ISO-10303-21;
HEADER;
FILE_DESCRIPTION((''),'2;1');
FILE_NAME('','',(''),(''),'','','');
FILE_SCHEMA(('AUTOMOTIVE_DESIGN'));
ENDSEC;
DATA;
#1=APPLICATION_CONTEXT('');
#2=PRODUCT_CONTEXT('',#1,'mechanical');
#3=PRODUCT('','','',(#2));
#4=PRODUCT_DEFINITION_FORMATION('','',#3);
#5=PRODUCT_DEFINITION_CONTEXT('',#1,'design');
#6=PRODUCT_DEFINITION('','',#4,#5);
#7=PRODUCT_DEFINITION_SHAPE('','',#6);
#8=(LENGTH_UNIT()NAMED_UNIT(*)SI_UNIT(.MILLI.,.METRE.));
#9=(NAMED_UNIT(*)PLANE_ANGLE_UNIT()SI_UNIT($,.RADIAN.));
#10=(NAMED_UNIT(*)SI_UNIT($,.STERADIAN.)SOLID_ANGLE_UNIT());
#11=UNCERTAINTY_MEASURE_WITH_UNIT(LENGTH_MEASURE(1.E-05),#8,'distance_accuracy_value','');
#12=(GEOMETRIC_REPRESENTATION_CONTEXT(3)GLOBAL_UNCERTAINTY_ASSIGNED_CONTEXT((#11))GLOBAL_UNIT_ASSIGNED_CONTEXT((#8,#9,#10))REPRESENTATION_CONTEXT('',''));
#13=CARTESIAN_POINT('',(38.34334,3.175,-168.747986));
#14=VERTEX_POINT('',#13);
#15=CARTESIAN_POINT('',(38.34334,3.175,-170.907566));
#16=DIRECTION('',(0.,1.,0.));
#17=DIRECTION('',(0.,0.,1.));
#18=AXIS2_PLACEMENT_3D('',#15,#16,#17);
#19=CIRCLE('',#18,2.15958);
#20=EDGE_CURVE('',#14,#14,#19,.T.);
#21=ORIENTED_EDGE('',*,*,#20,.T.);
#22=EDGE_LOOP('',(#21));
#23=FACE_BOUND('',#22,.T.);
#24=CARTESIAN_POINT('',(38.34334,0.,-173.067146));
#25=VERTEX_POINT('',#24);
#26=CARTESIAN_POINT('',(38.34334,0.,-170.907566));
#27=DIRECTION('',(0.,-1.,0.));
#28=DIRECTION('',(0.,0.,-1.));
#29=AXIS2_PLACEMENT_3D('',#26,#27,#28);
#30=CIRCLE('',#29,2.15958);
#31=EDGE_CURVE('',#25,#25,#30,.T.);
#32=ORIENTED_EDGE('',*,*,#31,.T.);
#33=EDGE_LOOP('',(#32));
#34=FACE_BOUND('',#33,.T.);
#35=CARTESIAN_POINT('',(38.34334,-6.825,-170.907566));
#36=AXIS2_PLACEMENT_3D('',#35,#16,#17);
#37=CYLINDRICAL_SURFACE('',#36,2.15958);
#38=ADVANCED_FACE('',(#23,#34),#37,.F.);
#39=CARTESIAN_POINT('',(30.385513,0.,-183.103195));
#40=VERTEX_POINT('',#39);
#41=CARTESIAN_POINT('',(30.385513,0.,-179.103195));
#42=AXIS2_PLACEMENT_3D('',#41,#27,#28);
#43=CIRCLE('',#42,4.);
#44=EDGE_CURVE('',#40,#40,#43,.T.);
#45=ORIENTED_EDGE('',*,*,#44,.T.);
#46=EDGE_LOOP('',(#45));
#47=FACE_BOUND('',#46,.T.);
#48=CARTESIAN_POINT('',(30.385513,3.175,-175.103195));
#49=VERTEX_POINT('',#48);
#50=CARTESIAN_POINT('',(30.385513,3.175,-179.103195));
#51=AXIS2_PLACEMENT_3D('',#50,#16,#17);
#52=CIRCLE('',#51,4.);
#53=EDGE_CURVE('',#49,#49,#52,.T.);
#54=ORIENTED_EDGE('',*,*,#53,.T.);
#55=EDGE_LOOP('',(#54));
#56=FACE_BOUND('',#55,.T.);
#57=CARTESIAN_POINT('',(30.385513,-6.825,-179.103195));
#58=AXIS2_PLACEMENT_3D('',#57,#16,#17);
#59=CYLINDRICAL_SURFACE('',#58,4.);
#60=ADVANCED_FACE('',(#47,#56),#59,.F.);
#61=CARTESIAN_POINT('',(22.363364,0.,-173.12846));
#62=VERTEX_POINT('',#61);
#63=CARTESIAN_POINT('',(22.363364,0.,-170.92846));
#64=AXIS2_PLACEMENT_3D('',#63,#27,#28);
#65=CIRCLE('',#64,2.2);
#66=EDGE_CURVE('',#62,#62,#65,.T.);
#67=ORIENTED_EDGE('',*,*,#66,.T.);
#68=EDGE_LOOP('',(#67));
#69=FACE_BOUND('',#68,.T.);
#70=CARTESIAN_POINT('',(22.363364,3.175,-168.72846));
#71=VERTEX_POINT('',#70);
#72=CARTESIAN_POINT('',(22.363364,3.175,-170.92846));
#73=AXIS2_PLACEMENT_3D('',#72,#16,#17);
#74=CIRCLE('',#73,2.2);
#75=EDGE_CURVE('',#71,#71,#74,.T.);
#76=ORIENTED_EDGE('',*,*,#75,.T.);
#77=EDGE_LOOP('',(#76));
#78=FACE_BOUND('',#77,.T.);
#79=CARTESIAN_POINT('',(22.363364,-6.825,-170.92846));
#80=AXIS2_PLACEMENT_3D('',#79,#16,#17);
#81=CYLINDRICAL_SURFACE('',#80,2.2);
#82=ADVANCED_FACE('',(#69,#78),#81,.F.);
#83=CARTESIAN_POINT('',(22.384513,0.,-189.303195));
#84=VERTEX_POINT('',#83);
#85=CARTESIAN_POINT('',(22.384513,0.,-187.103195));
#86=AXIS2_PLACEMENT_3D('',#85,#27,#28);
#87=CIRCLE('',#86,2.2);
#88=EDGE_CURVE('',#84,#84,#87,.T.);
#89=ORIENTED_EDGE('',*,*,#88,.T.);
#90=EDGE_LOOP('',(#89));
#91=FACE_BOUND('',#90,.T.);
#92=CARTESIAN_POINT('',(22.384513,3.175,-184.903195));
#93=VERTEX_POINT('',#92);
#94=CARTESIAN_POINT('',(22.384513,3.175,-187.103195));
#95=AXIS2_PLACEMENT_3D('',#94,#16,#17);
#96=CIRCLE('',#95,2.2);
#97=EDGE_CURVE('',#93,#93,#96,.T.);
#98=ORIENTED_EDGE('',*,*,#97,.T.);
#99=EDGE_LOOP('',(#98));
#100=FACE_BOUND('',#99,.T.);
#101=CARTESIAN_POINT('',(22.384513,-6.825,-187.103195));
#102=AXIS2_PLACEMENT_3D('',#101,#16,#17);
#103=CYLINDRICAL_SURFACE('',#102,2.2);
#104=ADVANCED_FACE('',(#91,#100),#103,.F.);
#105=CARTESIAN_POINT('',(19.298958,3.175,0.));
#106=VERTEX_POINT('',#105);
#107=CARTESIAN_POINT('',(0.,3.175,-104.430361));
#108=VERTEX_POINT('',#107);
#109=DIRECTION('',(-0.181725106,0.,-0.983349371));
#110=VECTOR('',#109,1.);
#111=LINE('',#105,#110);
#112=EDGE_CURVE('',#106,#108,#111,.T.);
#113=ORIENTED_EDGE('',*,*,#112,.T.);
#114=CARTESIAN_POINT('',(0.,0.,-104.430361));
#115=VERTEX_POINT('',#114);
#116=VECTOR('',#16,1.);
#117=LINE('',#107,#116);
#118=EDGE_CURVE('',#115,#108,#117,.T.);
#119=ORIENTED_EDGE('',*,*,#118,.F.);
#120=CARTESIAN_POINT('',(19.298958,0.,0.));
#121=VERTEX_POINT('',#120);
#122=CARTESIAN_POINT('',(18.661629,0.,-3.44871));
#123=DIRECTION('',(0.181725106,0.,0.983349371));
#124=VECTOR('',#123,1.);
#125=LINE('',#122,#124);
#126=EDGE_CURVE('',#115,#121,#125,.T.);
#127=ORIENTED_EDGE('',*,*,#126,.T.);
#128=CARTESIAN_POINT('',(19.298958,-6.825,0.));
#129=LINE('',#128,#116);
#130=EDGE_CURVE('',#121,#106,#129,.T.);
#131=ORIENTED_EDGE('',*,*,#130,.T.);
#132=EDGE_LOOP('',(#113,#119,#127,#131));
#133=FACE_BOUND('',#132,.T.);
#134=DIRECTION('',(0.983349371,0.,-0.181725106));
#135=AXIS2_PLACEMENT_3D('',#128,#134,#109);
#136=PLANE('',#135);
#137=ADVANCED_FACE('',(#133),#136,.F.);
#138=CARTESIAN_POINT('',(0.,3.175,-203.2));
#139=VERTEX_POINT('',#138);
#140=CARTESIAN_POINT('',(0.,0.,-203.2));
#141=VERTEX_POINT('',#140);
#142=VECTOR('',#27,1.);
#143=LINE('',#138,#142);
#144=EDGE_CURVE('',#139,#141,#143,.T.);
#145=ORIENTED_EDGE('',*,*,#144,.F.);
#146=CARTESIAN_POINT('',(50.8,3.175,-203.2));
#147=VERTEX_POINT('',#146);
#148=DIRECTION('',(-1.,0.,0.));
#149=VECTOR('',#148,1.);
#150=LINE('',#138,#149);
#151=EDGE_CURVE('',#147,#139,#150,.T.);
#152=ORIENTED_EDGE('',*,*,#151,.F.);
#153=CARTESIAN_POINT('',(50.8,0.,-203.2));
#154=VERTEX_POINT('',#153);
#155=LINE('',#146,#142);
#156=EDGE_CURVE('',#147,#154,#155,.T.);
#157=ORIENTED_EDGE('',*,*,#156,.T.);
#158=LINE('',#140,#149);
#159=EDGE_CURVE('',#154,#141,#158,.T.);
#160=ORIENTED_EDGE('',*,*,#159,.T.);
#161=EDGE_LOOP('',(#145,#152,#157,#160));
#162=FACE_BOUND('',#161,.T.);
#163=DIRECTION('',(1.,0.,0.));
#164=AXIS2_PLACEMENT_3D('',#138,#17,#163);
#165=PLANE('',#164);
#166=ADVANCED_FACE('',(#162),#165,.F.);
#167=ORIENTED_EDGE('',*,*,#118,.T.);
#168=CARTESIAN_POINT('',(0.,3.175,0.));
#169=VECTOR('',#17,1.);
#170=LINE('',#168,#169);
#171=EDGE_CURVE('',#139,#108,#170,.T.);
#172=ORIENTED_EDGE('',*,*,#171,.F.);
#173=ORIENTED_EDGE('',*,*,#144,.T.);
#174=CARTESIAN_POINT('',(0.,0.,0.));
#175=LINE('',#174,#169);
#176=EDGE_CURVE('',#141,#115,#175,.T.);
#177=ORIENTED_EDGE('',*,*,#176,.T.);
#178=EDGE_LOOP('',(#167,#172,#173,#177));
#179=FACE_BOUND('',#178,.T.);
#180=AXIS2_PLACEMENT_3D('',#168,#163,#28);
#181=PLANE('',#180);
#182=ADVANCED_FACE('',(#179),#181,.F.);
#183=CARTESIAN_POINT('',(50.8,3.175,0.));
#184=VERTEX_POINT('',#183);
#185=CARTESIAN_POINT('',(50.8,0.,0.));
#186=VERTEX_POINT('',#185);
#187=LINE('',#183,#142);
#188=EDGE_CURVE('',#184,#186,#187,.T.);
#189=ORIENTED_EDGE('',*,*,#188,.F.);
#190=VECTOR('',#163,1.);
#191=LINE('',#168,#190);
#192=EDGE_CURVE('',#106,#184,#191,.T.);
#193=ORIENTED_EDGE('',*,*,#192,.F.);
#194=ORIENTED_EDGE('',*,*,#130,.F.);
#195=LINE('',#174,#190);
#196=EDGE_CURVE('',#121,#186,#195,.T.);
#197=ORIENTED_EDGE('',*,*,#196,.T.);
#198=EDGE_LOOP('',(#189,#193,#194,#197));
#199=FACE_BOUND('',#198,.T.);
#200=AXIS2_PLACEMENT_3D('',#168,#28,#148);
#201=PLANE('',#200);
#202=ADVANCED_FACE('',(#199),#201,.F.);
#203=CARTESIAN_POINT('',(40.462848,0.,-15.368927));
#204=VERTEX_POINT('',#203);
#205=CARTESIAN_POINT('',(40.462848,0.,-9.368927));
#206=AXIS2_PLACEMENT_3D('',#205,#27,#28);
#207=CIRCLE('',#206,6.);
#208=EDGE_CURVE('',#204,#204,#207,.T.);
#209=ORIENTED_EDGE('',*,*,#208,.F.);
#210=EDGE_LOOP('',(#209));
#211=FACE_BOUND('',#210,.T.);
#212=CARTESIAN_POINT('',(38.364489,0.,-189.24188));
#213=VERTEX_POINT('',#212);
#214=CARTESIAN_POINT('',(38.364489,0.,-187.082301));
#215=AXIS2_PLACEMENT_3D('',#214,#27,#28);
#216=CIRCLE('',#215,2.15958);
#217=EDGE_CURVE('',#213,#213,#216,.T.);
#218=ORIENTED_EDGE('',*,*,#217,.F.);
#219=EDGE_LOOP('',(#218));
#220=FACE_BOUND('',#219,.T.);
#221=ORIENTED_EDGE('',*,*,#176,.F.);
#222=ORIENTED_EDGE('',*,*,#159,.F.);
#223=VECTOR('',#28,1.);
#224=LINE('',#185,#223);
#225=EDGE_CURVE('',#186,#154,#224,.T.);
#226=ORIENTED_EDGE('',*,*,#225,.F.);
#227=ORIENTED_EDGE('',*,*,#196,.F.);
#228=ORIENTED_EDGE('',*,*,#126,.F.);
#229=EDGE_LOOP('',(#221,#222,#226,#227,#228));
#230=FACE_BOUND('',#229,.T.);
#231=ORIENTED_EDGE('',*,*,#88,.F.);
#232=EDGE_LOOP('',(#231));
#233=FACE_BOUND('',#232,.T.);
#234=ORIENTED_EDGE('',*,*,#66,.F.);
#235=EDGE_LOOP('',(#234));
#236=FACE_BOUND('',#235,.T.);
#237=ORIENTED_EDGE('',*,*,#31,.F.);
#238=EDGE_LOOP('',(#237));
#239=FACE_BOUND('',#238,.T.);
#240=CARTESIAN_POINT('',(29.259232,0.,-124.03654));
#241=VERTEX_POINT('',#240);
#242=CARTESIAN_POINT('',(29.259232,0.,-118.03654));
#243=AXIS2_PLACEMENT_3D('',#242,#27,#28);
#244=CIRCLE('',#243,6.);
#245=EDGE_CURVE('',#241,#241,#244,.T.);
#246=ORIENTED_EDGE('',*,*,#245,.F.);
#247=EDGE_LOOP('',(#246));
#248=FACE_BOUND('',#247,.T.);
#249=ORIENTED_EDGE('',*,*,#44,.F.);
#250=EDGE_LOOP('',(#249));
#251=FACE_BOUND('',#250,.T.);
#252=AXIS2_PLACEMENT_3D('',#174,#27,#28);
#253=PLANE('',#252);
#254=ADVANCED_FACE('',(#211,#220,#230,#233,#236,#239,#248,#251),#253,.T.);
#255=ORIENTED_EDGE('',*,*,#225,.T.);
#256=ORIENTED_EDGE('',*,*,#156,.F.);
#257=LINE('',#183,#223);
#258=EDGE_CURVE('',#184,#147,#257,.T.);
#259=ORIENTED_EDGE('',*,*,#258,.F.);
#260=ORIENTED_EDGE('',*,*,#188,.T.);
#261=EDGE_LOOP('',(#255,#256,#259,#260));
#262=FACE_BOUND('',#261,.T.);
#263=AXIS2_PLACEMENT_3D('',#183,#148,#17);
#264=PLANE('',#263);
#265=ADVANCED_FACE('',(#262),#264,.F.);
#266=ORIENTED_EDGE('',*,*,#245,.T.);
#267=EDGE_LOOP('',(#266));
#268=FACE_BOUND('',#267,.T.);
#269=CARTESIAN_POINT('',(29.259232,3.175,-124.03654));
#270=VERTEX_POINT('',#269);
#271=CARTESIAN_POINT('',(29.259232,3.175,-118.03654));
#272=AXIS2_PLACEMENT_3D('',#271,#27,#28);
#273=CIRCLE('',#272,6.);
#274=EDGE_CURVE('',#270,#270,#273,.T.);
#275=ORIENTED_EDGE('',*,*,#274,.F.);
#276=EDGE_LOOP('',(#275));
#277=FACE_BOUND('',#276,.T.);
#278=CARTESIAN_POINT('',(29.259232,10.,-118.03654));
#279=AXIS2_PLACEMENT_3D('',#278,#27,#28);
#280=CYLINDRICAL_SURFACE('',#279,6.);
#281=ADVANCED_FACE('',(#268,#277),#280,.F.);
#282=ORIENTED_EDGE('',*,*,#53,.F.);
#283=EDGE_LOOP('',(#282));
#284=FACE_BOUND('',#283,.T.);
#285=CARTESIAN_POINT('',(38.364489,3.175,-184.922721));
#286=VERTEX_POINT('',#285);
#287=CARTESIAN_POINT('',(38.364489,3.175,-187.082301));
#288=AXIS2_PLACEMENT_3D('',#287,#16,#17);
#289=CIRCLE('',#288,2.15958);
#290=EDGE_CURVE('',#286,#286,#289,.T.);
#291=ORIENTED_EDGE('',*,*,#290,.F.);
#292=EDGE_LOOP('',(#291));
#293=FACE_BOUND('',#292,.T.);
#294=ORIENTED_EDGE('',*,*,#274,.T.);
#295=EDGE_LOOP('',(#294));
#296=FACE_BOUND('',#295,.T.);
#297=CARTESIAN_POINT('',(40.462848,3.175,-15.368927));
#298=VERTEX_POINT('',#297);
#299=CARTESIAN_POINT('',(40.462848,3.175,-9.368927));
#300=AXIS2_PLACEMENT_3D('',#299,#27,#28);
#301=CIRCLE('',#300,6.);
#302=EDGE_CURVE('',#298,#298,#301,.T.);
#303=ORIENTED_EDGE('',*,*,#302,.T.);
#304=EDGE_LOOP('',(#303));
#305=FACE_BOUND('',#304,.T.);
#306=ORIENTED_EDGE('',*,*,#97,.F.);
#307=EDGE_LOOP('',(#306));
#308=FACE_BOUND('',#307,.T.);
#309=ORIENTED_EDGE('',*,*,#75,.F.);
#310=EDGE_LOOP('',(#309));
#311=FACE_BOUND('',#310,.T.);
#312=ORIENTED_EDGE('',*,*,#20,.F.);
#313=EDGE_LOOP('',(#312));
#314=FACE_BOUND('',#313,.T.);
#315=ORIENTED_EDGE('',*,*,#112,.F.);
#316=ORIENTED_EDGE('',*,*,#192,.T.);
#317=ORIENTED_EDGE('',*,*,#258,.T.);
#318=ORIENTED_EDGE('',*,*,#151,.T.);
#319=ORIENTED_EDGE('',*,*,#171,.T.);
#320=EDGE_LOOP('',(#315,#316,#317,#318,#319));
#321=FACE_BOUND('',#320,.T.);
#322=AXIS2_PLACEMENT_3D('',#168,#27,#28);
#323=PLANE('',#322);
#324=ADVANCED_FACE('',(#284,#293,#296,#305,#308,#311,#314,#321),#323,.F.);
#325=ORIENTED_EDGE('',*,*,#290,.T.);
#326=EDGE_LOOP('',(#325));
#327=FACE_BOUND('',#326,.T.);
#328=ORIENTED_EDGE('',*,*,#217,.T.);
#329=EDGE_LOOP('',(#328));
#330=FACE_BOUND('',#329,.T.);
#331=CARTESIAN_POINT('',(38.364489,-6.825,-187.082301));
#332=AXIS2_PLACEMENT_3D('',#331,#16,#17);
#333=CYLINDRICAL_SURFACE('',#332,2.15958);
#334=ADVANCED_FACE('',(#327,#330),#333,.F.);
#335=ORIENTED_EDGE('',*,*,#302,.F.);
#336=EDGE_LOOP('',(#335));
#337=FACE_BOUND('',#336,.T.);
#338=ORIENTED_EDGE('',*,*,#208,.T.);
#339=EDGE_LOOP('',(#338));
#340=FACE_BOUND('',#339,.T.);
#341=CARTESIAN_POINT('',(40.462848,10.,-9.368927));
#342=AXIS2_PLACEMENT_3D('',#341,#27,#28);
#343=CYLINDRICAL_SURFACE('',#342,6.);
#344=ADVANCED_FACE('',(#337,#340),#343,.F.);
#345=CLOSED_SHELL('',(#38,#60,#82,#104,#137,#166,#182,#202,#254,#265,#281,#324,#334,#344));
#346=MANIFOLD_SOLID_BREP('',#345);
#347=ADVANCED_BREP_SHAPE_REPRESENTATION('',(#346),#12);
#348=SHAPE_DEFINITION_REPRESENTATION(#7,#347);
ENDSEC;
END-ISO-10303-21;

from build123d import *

# Parameters (mm, degrees)
SKETCH1_W           = 50.8
SKETCH1_H           = 203.2
BOSS_EXTRUDE1_DEPTH = 3.175
SKETCH2_R           = 2.2
SKETCH2_R_2         = 2.159579804
SKETCH2_R_3         = 4
CUT_EXTRUDE1_DEPTH  = 10
SKETCH5_R           = 6
CUT_EXTRUDE2_DEPTH  = 10
CUT_EXTRUDE3_DEPTH  = 10


with BuildPart() as part:
    # Sketch1 → Boss-Extrude1 (new body)
    with BuildSketch(Plane(origin=(0, 0, 0), x_dir=(1, 0, 0), z_dir=(0, 1, 0))):
        with Locations((25.4, 101.6)):
            Rectangle(SKETCH1_W, SKETCH1_H)
    extrude(amount=BOSS_EXTRUDE1_DEPTH)

    # Sketch2 → Cut-Extrude1 (cut)
    with BuildSketch(Plane(origin=(0, 3.175, 0), x_dir=(1, 0, 0), z_dir=(0, 1, 0))):
        with Locations(Location((22.384513462, 187.103195302, 0), (0, 0, 270))):
            Circle(SKETCH2_R)
        with Locations(Location((38.36448905, 187.082300612, 0), (0, 0, 270))):
            Circle(SKETCH2_R_2)
        with Locations(Location((22.363364113, 170.92846049, 0), (0, 0, 270))):
            Circle(SKETCH2_R)
        with Locations(Location((38.343339701, 170.907565799, 0), (0, 0, 270))):
            Circle(SKETCH2_R_2)
        with Locations(Location((30.385513462, 179.103195302, 0), (0, 0, 270))):
            Circle(SKETCH2_R_3)
    extrude(amount=-CUT_EXTRUDE1_DEPTH, mode=Mode.SUBTRACT)

    # Sketch5 → Cut-Extrude2 (cut)
    with BuildSketch(Plane(origin=(0, 0, 0), x_dir=(-1, 0, 0), z_dir=(0, -1, 0))):
        with Locations(Location((-40.462848215, 9.36892711, 0), (0, 0, 90))):
            Circle(SKETCH5_R)
        with Locations(Location((-29.259232092, 118.036539738, 0), (0, 0, 90))):
            Circle(SKETCH5_R)
    extrude(amount=-CUT_EXTRUDE2_DEPTH, mode=Mode.SUBTRACT)

    # Sketch6 → Cut-Extrude3 (cut)
    with BuildSketch(Plane(origin=(0, 3.175, 0), x_dir=(1, 0, 0), z_dir=(0, 1, 0))):
        Polygon((0, 0), (19.29895822, 0), (-0.185019924, 105.431539045), align=None)
    extrude(amount=-CUT_EXTRUDE3_DEPTH, mode=Mode.SUBTRACT)


solid = part.part
